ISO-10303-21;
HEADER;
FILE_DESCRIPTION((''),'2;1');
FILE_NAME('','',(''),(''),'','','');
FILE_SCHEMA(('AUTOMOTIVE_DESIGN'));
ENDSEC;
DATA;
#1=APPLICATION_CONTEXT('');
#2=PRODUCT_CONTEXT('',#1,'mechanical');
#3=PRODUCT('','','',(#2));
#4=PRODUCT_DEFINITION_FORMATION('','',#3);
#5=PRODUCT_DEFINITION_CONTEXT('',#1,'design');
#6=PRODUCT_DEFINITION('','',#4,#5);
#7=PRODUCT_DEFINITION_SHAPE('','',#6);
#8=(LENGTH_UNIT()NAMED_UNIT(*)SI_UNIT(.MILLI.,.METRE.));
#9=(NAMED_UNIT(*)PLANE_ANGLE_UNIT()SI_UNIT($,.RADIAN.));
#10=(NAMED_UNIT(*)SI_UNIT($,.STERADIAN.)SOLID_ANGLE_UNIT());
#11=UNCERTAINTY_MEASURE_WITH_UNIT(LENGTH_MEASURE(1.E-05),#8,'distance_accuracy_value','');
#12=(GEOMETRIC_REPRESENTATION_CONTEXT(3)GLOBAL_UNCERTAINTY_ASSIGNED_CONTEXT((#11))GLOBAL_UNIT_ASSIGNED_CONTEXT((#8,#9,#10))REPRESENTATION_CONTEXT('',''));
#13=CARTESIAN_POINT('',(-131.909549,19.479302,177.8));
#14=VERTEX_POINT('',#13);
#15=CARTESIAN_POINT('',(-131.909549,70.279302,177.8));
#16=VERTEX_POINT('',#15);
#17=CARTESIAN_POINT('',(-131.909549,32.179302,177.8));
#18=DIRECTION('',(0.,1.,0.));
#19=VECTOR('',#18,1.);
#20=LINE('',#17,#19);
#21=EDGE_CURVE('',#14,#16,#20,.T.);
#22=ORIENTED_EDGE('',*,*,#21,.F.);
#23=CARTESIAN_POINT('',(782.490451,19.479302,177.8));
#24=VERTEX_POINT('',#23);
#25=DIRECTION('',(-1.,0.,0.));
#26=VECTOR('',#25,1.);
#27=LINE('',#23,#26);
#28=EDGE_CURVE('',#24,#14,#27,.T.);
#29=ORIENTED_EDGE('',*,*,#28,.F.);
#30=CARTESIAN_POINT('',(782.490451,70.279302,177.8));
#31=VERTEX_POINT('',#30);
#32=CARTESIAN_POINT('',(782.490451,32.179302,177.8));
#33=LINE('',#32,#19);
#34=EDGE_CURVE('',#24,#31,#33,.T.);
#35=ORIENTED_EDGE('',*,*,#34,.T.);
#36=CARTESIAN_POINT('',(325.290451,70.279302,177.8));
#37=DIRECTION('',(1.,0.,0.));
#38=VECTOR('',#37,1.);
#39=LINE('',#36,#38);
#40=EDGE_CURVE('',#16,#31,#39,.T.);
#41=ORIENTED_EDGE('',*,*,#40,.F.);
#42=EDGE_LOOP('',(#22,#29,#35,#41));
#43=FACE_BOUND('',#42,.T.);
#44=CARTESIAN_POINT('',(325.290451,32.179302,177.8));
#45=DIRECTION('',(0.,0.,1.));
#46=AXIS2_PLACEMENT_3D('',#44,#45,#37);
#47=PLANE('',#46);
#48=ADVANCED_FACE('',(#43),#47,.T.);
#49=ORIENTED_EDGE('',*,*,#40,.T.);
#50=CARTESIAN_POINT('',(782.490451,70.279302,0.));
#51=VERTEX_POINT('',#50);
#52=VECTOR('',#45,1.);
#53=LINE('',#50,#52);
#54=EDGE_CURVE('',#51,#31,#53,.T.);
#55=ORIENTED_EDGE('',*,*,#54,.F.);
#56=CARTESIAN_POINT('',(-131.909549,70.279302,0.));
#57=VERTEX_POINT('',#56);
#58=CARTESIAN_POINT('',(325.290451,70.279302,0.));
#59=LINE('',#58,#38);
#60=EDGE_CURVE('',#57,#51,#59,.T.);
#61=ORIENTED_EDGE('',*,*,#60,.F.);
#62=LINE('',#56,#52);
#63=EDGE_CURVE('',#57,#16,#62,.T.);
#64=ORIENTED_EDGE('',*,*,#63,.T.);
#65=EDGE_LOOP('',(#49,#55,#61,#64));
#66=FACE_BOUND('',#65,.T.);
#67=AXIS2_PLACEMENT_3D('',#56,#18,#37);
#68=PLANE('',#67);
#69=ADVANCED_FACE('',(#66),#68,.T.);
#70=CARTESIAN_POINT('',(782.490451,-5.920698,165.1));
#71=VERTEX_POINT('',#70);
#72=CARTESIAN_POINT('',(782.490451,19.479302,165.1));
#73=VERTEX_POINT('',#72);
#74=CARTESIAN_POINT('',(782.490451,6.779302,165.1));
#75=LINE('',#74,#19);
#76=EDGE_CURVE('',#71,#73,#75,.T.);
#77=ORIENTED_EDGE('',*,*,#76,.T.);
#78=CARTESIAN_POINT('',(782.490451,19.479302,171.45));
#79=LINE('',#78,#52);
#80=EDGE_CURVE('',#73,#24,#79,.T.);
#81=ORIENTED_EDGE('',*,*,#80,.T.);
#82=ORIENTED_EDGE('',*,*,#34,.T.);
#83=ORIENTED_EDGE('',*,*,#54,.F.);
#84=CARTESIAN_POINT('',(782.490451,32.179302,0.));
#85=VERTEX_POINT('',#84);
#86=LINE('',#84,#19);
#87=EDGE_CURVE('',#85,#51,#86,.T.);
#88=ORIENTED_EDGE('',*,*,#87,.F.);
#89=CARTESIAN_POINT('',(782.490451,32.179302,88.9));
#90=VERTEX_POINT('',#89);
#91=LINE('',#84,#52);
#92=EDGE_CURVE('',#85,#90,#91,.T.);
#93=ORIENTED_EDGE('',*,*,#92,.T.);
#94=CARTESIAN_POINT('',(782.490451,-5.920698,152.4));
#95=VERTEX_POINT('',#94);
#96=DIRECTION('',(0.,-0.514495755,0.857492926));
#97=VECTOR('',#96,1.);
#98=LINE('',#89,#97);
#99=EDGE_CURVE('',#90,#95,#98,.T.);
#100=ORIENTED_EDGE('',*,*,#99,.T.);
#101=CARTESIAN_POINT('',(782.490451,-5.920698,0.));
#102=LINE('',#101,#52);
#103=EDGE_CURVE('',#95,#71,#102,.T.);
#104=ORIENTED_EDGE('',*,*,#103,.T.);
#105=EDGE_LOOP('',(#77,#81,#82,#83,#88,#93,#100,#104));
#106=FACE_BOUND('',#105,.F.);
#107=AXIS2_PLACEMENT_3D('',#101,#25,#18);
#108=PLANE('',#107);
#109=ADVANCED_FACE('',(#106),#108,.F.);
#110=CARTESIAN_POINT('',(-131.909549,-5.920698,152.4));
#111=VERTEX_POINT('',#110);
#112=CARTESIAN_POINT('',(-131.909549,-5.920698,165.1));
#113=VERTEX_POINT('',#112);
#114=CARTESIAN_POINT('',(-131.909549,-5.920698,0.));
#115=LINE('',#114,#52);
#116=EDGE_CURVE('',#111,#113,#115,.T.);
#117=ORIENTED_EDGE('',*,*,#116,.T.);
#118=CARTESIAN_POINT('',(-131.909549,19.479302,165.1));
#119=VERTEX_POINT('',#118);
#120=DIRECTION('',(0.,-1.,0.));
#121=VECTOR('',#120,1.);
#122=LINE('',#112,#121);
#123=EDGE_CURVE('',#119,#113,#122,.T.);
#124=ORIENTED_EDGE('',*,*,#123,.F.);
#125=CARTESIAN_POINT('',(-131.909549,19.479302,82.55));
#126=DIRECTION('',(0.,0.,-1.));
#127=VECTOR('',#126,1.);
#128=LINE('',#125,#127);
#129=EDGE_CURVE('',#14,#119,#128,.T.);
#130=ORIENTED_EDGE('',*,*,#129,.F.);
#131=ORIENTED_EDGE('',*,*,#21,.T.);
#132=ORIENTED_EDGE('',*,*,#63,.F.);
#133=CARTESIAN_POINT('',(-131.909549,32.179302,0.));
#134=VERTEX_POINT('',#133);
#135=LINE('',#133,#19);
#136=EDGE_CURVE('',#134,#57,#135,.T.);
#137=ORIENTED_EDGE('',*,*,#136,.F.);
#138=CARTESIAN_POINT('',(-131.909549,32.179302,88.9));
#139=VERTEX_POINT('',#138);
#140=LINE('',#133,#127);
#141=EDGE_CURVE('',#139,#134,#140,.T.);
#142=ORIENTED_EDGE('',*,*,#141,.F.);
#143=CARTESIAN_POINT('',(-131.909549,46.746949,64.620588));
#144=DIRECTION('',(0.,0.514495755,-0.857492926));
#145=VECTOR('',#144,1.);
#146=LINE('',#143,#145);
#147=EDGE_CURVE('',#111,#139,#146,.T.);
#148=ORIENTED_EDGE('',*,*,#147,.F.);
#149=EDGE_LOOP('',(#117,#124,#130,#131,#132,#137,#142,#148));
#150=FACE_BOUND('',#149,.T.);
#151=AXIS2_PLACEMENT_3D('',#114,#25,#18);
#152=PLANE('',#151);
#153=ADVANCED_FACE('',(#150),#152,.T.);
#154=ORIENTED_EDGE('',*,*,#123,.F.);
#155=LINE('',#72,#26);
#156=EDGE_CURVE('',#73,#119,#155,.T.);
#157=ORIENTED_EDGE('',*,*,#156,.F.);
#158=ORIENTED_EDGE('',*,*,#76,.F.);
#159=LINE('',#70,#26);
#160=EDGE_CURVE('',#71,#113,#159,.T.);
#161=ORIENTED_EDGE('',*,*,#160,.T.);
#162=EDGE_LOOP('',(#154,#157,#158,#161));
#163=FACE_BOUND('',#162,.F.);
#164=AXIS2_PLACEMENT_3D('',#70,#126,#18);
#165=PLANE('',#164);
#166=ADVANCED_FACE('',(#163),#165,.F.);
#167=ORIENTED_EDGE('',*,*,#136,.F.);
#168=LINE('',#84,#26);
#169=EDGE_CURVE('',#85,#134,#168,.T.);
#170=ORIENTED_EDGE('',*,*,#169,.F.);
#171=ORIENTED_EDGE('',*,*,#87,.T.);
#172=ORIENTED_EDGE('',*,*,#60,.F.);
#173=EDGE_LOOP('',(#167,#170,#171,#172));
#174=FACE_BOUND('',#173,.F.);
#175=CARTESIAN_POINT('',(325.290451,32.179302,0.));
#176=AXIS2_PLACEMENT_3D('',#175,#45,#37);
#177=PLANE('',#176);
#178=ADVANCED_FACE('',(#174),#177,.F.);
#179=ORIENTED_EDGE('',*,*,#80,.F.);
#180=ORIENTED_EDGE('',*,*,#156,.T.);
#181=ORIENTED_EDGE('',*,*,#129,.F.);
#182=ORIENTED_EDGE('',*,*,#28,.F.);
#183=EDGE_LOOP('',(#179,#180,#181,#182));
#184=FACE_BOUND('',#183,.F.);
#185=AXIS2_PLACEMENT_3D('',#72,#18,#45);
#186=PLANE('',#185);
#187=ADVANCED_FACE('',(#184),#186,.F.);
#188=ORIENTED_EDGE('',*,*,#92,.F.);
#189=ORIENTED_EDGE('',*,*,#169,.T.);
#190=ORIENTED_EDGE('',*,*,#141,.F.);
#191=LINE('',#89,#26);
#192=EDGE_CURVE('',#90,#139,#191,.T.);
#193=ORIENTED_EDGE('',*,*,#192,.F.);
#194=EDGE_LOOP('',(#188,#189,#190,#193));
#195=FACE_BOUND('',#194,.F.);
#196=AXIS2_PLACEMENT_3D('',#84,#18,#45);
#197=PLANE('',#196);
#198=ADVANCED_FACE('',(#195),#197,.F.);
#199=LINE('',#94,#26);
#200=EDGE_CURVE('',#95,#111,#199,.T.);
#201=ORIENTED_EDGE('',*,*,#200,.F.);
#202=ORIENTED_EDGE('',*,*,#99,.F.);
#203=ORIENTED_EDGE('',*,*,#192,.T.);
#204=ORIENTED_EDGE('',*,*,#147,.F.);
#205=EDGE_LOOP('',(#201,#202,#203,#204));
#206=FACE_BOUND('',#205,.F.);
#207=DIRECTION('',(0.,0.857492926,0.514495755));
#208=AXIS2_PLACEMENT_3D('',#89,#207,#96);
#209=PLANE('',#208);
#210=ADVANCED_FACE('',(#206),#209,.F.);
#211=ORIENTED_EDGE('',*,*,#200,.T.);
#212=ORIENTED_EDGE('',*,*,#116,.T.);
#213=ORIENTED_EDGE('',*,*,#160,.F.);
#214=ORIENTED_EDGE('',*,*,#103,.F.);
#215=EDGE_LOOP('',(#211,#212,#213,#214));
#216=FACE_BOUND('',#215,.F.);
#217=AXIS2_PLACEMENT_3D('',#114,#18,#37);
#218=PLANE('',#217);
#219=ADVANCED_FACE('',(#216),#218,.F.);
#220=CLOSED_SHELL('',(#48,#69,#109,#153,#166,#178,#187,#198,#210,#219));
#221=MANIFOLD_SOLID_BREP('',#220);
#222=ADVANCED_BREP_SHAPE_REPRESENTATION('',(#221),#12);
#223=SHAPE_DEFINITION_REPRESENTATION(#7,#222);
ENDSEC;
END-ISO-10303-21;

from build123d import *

# Parameters (mm, degrees)
F0_W     = 914.4
F0_H     = 76.2
F1_DEPTH = 177.8
F3_DEPTH = 2133.6
F4_W     = 25.4
F4_H     = 12.7
F5_DEPTH = 2438.4


with BuildPart() as f1:
    # F0 (on Top) → F1 (new body)
    with BuildSketch(Plane.XY):
        with Locations((325.290451, 32.179302)):
            Rectangle(F0_W, F0_H)
    extrude(amount=F1_DEPTH)

    # F2 (on face) → F3 (cut)
    with BuildSketch(Plane.YZ.offset(782.490451)):
        Polygon((32.179302, 88.9), (-5.920698, 152.4), (-5.920698, 0), (32.179302, 0), align=None)
    extrude(amount=-F3_DEPTH, mode=Mode.SUBTRACT)

    # F4 (on face) → F5 (cut)
    with BuildSketch(Plane.YZ.offset(782.490451)):
        with Locations((6.779302, 171.45)):
            Rectangle(F4_W, F4_H)
    extrude(amount=-F5_DEPTH, mode=Mode.SUBTRACT)


solid = f1.part
